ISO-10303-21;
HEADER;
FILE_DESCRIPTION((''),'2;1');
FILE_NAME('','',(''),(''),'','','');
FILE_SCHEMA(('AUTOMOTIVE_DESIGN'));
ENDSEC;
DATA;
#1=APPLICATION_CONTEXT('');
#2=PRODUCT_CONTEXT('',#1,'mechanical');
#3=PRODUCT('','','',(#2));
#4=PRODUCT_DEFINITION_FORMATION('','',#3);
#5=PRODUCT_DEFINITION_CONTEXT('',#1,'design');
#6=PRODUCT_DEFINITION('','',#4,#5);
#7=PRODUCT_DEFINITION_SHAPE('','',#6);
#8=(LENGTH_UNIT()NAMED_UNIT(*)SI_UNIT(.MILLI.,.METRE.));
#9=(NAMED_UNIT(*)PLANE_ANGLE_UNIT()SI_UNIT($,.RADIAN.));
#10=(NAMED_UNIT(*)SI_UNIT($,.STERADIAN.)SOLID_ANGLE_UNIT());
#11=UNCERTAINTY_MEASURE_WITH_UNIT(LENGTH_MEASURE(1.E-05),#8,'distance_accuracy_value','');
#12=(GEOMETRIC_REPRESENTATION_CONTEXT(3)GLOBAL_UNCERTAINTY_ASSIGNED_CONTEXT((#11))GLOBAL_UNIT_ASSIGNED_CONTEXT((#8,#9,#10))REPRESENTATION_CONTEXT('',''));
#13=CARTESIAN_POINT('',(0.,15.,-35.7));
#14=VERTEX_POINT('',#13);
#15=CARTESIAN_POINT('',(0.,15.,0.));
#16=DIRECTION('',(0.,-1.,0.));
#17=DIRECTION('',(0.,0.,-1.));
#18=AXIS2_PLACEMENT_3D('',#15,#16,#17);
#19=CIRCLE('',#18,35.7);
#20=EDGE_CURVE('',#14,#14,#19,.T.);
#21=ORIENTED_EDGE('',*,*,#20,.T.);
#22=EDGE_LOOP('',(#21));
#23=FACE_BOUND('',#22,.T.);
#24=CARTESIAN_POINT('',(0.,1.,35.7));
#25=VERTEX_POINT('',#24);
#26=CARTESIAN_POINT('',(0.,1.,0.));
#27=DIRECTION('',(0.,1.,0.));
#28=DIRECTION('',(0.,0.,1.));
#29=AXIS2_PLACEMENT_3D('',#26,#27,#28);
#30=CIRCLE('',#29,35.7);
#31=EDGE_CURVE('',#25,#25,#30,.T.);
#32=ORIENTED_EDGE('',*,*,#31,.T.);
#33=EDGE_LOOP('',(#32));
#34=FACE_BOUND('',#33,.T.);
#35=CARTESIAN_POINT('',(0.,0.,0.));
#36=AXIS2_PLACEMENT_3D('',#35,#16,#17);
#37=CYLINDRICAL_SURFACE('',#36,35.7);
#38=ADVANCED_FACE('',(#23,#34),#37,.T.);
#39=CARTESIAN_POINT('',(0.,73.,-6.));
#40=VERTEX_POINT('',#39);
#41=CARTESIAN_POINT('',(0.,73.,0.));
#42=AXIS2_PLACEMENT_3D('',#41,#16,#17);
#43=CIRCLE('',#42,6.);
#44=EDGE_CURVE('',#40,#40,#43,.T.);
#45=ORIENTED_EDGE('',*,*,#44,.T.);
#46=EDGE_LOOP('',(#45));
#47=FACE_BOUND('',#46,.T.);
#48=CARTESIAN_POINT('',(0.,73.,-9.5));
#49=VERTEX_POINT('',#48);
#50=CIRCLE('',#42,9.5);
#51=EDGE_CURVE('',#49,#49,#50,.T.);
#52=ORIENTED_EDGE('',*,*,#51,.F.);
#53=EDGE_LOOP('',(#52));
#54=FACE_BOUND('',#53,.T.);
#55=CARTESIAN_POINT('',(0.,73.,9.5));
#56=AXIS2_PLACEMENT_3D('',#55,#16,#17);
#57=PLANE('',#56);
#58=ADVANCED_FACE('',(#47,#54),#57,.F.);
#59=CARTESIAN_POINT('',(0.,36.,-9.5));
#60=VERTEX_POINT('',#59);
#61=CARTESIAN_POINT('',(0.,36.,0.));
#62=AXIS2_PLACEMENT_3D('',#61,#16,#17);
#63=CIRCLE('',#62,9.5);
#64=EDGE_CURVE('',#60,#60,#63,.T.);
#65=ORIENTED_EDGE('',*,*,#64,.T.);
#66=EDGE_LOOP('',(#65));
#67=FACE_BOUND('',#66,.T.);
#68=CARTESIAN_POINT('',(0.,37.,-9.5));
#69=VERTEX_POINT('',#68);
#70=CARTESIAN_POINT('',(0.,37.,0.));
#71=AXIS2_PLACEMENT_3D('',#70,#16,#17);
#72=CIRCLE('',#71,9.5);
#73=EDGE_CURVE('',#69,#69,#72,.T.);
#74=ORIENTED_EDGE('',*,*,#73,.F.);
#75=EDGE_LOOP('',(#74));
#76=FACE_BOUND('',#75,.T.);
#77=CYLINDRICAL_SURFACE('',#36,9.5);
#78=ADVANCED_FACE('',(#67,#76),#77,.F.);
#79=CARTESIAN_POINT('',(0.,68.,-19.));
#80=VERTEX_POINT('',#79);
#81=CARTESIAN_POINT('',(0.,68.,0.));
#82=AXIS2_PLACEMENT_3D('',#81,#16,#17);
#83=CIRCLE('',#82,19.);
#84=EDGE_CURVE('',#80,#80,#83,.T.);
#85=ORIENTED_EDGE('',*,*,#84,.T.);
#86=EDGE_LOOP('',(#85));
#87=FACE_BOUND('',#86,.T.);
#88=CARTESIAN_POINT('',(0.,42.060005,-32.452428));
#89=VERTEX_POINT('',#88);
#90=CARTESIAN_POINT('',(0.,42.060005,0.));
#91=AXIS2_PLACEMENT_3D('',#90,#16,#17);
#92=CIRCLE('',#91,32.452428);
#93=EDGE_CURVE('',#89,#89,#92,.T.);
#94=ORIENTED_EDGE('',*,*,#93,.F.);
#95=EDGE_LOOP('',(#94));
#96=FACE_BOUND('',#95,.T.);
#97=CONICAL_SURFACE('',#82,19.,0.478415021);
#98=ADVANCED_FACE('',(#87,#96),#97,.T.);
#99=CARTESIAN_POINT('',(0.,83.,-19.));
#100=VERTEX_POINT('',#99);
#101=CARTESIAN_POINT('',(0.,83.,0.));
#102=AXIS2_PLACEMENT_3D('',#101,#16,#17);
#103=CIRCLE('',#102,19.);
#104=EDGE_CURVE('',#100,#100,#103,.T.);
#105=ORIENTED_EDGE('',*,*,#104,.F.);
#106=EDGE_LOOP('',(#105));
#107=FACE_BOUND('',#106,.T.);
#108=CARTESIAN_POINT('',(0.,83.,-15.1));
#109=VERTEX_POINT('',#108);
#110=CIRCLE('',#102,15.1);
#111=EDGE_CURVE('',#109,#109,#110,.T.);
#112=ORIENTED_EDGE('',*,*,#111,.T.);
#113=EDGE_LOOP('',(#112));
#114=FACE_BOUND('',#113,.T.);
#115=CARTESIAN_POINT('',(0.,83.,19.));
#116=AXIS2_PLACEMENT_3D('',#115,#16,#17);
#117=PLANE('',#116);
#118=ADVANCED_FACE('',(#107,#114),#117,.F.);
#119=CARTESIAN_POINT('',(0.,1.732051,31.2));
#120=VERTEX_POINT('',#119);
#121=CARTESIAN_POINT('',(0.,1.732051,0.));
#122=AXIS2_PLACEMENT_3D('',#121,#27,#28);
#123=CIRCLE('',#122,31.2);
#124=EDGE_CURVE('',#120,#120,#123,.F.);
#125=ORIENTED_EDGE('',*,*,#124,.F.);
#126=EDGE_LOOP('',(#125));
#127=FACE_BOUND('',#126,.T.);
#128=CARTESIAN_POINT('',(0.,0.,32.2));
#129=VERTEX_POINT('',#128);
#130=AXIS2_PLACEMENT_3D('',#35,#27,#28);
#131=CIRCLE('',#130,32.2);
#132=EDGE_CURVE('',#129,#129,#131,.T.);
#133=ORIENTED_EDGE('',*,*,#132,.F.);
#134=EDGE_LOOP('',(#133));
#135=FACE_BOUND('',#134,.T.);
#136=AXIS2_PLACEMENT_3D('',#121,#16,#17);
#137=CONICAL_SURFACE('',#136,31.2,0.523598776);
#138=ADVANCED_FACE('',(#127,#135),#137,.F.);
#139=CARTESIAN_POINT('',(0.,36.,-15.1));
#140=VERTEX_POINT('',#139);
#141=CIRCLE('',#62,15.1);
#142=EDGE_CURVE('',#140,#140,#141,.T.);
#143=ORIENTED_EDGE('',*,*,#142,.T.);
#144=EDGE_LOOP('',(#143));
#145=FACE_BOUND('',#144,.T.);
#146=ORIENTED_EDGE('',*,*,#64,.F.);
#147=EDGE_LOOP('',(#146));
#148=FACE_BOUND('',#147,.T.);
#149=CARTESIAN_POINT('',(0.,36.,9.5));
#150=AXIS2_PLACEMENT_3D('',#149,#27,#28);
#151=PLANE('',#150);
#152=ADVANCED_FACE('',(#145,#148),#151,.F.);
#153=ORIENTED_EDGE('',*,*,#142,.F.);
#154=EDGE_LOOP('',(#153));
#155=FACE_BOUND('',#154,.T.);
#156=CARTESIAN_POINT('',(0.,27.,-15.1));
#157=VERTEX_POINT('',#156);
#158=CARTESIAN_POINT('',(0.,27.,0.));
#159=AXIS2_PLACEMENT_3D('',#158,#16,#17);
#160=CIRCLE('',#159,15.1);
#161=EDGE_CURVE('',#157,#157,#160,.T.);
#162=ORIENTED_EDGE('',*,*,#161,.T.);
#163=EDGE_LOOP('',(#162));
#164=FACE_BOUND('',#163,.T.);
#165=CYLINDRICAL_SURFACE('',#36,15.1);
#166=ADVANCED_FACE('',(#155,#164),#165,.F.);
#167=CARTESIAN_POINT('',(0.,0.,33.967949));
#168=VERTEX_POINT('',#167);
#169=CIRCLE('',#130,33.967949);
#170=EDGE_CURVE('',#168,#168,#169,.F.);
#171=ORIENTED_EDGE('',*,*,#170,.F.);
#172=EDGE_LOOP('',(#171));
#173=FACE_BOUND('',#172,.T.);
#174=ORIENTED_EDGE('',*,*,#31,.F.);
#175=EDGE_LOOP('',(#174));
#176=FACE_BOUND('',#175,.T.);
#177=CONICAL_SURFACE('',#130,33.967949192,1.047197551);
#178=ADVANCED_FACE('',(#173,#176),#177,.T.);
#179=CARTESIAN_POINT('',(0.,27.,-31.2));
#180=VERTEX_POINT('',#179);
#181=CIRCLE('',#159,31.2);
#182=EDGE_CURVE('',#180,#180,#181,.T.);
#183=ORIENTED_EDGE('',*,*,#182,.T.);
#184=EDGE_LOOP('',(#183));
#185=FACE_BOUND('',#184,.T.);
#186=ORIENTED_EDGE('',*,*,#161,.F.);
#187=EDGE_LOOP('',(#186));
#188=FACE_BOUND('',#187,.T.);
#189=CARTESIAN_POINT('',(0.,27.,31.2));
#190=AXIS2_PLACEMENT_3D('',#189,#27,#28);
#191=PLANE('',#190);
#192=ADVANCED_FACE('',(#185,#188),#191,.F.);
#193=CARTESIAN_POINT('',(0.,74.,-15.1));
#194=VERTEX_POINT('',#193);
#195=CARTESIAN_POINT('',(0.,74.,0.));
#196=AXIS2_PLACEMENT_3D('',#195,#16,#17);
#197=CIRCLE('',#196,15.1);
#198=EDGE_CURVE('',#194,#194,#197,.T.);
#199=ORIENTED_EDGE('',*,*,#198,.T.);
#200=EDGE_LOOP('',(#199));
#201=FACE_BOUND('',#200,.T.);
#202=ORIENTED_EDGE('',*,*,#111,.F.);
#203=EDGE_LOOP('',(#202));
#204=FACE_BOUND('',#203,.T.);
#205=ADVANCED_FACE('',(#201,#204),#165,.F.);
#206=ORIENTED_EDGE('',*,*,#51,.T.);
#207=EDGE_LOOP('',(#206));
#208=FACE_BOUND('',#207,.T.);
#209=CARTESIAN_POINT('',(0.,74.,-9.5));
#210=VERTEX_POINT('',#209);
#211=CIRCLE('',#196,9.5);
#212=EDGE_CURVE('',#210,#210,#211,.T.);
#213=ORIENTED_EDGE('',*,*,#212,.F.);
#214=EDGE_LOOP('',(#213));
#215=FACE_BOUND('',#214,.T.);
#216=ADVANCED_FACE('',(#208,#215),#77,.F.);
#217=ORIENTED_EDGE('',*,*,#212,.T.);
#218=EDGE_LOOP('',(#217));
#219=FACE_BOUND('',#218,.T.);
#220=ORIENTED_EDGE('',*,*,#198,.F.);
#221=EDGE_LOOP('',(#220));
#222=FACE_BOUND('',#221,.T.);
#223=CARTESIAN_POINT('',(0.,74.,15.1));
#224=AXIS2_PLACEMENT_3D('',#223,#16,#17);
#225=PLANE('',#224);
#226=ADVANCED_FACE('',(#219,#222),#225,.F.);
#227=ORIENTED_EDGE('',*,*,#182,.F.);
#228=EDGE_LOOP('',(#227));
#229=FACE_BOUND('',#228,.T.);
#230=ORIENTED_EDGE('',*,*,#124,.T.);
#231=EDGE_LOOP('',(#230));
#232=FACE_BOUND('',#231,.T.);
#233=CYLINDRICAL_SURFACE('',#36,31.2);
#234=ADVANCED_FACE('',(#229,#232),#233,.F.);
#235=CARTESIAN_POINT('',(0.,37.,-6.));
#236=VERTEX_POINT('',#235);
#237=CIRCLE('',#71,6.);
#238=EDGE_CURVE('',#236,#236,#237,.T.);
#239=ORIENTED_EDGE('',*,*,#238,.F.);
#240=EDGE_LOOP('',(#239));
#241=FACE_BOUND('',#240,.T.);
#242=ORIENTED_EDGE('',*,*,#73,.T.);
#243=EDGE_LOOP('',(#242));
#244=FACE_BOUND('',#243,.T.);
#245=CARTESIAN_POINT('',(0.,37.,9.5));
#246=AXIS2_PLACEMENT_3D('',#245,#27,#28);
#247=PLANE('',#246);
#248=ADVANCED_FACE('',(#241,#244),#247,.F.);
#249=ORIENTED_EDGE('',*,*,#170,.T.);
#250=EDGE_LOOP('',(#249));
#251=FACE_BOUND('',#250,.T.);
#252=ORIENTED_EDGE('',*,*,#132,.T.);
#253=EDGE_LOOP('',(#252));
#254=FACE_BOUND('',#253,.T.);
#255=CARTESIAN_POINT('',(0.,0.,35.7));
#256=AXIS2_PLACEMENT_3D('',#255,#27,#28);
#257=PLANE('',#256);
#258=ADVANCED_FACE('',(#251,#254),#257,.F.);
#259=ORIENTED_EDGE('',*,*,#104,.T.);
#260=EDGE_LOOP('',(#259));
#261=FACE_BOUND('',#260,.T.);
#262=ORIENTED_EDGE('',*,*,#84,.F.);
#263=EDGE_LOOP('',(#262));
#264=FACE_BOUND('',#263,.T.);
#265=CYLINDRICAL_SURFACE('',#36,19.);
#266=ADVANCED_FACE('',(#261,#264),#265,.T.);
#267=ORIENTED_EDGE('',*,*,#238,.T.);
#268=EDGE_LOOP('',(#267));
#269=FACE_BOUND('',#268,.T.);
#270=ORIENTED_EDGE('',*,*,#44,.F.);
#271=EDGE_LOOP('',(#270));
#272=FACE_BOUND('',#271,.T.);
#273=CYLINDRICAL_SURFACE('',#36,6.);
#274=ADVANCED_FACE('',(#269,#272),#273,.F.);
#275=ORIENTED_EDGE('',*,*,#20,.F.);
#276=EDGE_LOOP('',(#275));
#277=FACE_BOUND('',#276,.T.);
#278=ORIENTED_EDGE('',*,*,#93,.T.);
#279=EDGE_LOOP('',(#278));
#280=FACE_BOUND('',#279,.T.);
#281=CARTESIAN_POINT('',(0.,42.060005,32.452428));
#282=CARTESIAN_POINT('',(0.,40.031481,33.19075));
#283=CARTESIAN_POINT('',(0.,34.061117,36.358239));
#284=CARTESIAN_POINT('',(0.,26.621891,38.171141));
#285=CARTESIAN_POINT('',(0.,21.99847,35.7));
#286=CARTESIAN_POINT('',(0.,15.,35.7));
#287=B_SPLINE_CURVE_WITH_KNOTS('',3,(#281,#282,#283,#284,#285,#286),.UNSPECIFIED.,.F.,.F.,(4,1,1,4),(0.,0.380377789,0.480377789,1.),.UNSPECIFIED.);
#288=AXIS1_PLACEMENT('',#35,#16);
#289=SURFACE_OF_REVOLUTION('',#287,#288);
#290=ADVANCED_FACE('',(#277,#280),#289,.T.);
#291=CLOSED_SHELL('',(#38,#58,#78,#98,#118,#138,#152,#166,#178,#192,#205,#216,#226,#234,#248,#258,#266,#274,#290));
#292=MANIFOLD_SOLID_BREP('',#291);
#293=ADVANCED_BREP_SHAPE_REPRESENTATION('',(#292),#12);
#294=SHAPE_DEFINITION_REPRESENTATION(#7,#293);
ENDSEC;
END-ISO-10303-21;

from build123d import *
from OCP.BRepFilletAPI import BRepFilletAPI_MakeChamfer

# Parameters (mm, degrees)
CHAMFER3_SIZE  = 1
CHAMFER3_SIZE2 = 1.732050808


with BuildPart() as part:
    # Sketch10 → Revolve1 (revolve)
    with BuildSketch(Plane(origin=(0, 0, 0), x_dir=(0, 0, -1), z_dir=(1, 0, 0)), mode=Mode.PRIVATE) as revolve1_sk:
        with BuildLine():
            Line((-6, 37), (-6, 73))
            Line((-6, 73), (-9.5, 73))
            Line((-9.5, 73), (-9.5, 74))
            Line((-9.5, 74), (-15.1, 74))
            Line((-15.1, 74), (-15.1, 83))
            Line((-15.1, 83), (-19, 83))
            Line((-19, 83), (-19, 68))
            Line((-19, 68), (-32.452427699, 42.060005436))
            add(Edge.make_bspline(
                [(-35.7, 15), (-35.7, 21.998470468), (-38.17114104, 26.621891379), (-36.358239491, 34.061117095), (-33.190750064, 40.03148141), (-32.452427699, 42.060005436)],
                knots=[0, 0, 0, 0, 0.519622211, 0.619622211, 1, 1, 1, 1], degree=3))
            Line((-35.7, 15), (-35.7, 0))
            Line((-35.7, 0), (-31.2, 0))
            Line((-31.2, 0), (-31.2, 27))
            Line((-31.2, 27), (-15.1, 27))
            Line((-15.1, 27), (-15.1, 36))
            Line((-15.1, 36), (-9.5, 36))
            Line((-9.5, 36), (-9.5, 37))
            Line((-9.5, 37), (-6, 37))
        make_face()
    revolve(revolve1_sk.sketch.rotate(Axis((0, 0, 0), (0, 1, 0)), 180), axis=Axis((0, 0, 0), (0, 1, 0)))

    # Chamfer3: one chamfer whose edges measure the first distance from different faces: ONE call of the kernel's chamfer builder (chamfer() names one face for all edges)
    chamfer3_edges_1 = [part.edges().sort_by_distance(p)[0] for p in [
        (0, 0, 35.7),
    ]]
    chamfer3_side_1 = [part.faces().sort_by_distance(p)[0] for p in [
        (0, 7.5, 35.7),
    ]]
    chamfer3_edges_2 = [part.edges().sort_by_distance(p)[0] for p in [
        (0, 0, 31.2),
    ]]
    chamfer3_side_2 = [part.faces().sort_by_distance(p)[0] for p in [
        (0, 0, 34.690251516),
    ]]
    chamfer3 = BRepFilletAPI_MakeChamfer(part.part.solid().wrapped)
    for e in chamfer3_edges_1:
        chamfer3.Add(CHAMFER3_SIZE, CHAMFER3_SIZE2, e.wrapped, chamfer3_side_1[0].wrapped)  # the first distance lies on this face
    for e in chamfer3_edges_2:
        chamfer3.Add(CHAMFER3_SIZE, CHAMFER3_SIZE2, e.wrapped, chamfer3_side_2[0].wrapped)  # the first distance lies on this face
    add(Compound.cast(chamfer3.Shape()), mode=Mode.REPLACE)


solid = part.part
